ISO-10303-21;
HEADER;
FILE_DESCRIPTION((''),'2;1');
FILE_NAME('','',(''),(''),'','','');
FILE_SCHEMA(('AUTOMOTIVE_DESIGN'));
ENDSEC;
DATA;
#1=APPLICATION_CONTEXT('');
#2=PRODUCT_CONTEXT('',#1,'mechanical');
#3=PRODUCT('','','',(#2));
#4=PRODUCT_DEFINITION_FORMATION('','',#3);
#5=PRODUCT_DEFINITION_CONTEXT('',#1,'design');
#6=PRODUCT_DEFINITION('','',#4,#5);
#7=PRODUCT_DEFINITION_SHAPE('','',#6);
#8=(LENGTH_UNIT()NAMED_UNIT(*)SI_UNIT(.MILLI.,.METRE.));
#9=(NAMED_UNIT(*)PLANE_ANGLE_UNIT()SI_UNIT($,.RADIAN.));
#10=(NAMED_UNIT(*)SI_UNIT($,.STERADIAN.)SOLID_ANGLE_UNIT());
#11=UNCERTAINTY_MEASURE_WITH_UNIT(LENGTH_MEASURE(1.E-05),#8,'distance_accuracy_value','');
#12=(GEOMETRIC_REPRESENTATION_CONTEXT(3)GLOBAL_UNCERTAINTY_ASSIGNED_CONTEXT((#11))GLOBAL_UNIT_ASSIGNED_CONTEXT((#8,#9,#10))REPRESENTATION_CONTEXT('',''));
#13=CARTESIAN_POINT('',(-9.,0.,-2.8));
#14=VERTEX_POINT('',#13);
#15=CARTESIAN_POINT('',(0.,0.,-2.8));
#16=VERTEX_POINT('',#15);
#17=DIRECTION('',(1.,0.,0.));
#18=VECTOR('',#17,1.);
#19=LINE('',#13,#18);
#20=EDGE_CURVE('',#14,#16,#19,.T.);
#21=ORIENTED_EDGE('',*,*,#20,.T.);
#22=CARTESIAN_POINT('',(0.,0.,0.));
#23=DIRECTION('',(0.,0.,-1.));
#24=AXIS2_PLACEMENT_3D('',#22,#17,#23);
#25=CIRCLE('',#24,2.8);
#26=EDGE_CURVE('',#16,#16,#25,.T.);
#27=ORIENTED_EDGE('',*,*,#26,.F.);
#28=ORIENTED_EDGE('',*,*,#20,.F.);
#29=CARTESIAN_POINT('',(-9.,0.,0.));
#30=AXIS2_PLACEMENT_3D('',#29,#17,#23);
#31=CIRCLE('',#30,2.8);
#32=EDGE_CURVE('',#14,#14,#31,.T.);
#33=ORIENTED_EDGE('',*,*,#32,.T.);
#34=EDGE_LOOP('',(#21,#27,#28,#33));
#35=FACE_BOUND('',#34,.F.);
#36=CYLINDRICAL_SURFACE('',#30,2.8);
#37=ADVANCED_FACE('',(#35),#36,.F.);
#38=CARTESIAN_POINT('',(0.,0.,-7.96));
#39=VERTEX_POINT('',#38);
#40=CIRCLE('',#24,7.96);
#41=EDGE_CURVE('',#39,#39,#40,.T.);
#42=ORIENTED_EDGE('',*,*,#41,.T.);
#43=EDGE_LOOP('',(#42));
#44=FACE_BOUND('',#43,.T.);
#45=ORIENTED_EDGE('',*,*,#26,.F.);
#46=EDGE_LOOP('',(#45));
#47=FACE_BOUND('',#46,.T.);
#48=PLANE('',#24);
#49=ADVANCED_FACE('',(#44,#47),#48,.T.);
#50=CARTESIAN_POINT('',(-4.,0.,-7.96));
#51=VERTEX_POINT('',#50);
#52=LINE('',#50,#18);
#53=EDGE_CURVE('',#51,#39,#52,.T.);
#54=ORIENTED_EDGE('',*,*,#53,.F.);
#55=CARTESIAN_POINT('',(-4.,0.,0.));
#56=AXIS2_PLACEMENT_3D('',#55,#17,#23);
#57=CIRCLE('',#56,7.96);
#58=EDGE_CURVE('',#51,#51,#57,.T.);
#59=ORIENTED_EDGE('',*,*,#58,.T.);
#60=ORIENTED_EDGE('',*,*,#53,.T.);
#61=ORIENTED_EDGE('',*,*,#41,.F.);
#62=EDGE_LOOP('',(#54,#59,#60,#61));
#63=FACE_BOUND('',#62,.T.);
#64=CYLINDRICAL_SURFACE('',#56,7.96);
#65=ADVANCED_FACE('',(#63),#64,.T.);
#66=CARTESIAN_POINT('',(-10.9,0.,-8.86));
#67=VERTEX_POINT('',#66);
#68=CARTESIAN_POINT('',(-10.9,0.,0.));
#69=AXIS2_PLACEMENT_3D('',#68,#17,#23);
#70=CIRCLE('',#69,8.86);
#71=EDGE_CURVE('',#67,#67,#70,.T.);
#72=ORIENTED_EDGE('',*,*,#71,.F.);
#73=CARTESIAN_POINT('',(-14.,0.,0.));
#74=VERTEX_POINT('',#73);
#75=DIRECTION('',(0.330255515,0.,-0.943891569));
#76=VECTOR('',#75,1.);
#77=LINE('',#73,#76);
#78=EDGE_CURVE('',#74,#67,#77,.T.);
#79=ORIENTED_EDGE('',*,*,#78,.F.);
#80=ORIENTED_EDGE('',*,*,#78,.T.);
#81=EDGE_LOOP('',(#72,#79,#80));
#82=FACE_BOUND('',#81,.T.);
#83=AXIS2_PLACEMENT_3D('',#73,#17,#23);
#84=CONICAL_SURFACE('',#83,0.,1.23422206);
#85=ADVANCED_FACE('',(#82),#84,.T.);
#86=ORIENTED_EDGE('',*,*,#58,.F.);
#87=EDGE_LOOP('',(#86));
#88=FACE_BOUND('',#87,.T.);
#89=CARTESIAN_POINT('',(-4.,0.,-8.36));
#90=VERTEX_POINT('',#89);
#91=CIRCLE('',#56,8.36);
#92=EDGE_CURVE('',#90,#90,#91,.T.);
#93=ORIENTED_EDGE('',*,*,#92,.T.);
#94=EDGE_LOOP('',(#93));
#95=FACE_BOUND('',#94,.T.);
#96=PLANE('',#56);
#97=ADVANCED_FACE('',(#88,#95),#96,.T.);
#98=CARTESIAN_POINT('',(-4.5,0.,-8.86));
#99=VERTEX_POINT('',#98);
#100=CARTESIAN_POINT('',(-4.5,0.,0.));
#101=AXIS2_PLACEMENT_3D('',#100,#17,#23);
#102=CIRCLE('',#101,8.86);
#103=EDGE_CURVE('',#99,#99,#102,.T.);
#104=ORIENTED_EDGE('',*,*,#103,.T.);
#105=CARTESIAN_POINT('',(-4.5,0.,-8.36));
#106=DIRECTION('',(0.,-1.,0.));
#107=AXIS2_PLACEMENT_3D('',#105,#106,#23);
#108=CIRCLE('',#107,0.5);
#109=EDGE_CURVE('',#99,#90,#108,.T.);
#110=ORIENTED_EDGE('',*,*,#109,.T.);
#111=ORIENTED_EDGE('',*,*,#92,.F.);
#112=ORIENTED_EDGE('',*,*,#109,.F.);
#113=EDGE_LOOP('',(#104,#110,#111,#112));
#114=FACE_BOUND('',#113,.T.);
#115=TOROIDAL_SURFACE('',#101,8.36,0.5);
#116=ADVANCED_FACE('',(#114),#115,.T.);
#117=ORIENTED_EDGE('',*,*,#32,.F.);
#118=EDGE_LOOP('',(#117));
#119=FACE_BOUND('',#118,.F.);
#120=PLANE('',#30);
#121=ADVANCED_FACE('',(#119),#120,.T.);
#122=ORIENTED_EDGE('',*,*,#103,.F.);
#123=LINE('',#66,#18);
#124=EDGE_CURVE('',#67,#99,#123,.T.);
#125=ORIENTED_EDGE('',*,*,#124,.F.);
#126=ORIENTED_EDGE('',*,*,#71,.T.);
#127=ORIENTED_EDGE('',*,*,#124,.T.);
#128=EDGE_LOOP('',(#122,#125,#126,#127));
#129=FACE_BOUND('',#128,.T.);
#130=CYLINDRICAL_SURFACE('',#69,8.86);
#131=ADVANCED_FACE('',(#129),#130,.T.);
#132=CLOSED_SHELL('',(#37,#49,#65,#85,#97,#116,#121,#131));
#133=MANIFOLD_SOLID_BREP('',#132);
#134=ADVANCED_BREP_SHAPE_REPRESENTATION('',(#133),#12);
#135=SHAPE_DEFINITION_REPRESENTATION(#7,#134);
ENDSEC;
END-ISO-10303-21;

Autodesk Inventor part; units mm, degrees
ref_plane "YZ Plane" through (0, 0, 0) normal (1, 0, 0) x (0, 1, 0)
ref_plane "XZ Plane" through (0, 0, 0) normal (0, 1, 0) x (-1, 0, 0)
ref_plane "XY Plane" through (0, 0, 0) normal (0, 0, 1) x (1, 0, 0)
sketch "Sketch1" plane through (0, 0, 0) normal (0, 1, 0) x (-1, 0, 0)
  line L0 (16.8, 0) -> (-2.8, 0) projected
  line L1 (0, -10.632) -> (0, 1.772) projected
  line L2 (14, 0) -> (10.9, -8.86)
  line L3 (10.9, -8.86) -> (4, -8.86)
  line L4 (4, -8.86) -> (4, -7.96)
  line L5 (4, -7.96) -> (0, -7.96)
  line L6 (14, 0) -> (9, 0)
  line L7 (0, -7.96) -> (0, -2.8)
  line L8 (9, 0) -> (9, -2.8)
  line L9 (9, -2.8) -> (0, -2.8)
  point P0 (0, 0)
  dimension "d0" = 5.6
  dimension "d1" = 14
  dimension "d2" = 17.72
  dimension "d3" = 15.92
  dimension "d4" = 9
  dimension "d5" = 4
  dimension "d6" = 3.1
  dimension "d7" = 6.9
revolve "Revolution1" add sketch "Sketch1" angle 360 about axis through (-10, 0, 0) along (1, 0, 0) contours L2 L3 L4 L5 L1 L9 L8 L0
fillet "Fillet1" radius 0.5 1 edges at (-4, 0, 8.86)
properties part number "plunger_adaptor2"
